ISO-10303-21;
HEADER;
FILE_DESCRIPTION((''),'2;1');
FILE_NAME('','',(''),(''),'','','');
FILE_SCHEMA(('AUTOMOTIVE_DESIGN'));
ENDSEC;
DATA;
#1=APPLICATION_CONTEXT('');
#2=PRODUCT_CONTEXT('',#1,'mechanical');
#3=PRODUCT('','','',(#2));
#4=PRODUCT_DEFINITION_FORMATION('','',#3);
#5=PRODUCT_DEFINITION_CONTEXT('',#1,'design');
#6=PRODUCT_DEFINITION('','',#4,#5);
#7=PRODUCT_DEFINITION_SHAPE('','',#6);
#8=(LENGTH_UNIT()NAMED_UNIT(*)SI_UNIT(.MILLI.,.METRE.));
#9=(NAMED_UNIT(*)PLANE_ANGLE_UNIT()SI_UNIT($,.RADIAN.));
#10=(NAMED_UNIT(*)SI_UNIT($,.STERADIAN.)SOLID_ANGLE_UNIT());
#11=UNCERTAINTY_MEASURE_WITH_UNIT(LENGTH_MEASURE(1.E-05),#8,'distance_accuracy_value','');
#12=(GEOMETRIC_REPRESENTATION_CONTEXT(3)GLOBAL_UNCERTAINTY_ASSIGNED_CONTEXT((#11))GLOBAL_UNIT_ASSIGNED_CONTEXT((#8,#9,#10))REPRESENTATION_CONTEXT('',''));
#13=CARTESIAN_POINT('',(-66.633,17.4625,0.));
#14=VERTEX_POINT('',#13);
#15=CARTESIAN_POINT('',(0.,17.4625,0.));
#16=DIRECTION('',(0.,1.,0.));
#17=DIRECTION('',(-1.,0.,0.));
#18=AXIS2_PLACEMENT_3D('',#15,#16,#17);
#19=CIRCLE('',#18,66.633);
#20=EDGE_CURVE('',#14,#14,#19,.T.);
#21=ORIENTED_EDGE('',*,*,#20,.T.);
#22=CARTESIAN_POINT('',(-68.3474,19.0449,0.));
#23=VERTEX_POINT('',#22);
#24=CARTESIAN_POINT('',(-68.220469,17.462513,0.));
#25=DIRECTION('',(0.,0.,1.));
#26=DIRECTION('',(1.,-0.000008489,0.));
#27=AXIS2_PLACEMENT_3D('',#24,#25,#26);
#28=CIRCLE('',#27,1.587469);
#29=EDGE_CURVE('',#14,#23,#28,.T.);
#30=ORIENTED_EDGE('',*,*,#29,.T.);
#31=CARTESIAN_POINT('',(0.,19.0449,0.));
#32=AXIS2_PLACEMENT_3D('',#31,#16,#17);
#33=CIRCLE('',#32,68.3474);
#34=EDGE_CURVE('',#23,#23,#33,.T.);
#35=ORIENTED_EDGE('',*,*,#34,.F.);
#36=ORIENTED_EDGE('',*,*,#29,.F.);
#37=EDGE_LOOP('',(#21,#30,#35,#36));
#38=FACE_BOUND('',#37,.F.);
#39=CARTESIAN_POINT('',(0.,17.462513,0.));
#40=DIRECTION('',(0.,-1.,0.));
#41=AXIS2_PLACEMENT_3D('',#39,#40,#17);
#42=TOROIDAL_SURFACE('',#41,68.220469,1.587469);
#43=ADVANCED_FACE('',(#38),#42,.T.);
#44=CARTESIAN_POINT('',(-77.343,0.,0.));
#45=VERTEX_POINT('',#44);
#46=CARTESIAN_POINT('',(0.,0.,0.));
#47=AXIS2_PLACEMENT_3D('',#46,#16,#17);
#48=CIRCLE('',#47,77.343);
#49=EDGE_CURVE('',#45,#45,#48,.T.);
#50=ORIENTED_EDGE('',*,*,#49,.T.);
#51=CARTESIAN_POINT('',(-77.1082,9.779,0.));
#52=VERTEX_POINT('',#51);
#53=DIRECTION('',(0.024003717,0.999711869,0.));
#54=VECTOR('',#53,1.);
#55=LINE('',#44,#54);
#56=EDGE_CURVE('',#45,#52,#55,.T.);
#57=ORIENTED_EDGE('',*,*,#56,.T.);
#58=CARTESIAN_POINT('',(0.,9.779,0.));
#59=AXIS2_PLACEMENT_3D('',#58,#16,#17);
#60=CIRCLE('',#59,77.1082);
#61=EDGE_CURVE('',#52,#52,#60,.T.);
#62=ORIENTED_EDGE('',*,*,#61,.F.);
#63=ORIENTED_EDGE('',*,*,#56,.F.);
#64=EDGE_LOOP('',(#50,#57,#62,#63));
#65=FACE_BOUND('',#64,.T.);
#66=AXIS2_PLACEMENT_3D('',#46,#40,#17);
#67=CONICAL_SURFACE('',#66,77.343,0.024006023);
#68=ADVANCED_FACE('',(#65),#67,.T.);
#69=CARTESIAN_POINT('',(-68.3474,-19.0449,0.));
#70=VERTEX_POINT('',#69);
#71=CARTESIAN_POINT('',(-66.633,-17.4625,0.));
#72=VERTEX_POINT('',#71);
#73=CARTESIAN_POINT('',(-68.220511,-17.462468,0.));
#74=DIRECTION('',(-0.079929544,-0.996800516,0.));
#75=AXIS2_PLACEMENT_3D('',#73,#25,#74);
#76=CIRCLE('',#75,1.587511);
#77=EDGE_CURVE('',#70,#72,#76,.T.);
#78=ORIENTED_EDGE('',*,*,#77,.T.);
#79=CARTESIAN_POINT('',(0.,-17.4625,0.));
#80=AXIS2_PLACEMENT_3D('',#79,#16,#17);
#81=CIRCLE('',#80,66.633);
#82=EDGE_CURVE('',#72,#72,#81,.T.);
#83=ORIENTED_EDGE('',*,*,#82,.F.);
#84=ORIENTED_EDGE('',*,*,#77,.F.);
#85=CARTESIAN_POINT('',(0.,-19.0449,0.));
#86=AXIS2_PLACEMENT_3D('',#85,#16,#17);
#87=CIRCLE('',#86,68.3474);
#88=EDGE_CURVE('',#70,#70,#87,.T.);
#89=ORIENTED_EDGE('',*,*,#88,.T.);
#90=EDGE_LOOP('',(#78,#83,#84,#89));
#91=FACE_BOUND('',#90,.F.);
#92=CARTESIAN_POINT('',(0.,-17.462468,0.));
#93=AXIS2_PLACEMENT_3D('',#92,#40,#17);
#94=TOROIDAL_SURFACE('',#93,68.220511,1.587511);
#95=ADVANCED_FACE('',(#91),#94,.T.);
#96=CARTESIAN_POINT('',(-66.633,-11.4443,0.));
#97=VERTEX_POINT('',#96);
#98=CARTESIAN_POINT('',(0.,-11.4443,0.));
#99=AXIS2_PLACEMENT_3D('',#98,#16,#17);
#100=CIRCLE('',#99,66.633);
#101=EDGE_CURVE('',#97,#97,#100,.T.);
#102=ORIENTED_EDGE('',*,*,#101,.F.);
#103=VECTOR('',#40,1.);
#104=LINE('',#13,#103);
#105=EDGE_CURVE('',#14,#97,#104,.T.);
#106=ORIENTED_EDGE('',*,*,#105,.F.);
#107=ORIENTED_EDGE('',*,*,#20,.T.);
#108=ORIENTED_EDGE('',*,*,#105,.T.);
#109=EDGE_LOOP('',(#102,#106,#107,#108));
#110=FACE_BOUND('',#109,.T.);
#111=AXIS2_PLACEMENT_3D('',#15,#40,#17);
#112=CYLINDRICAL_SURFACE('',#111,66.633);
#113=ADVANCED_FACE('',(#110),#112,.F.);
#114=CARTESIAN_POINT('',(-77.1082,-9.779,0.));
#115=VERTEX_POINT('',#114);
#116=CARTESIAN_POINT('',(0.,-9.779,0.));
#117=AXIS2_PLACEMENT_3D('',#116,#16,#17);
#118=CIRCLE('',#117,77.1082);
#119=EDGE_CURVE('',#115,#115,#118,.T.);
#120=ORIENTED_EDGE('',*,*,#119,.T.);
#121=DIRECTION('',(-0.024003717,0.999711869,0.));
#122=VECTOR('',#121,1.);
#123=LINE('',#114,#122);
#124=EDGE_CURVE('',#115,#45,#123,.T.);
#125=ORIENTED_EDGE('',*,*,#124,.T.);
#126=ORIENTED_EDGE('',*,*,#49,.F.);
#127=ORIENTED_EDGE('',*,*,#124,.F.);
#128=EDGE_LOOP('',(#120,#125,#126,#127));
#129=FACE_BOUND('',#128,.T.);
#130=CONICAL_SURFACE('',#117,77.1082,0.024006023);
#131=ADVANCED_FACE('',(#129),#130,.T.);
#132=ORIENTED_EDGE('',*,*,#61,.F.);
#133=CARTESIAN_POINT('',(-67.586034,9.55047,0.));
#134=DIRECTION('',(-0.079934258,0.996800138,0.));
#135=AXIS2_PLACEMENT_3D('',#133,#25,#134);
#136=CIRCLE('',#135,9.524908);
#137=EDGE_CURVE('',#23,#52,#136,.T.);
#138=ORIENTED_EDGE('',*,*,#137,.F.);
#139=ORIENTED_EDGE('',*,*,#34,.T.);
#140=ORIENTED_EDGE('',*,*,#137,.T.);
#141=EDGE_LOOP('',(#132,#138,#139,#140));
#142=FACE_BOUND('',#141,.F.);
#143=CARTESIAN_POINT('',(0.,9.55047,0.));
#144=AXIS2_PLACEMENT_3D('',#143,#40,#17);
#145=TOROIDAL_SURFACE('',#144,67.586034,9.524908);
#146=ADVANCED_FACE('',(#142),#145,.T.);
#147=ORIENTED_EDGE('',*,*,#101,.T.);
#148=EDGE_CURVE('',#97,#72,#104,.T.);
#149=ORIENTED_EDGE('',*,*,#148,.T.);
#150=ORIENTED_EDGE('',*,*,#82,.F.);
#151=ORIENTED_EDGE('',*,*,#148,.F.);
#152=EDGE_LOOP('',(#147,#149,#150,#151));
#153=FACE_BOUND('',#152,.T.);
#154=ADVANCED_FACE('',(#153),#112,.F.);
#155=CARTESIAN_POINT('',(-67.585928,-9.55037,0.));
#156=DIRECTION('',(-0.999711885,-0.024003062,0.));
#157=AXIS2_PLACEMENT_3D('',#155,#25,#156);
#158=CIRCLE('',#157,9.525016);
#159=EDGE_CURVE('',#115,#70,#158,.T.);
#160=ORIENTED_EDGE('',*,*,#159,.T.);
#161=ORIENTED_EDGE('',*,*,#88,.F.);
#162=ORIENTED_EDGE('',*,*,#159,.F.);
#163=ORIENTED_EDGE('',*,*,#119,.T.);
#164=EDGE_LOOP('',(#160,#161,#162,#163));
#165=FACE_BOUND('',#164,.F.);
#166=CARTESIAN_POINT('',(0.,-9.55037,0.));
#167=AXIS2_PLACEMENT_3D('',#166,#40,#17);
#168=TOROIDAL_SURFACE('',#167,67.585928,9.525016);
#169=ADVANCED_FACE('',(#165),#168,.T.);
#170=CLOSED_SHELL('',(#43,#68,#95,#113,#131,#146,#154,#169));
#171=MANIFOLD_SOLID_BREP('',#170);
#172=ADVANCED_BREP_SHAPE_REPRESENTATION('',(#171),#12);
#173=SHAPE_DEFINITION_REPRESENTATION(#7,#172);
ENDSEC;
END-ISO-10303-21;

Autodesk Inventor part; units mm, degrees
ref_plane "YZ Plane" through (0, 0, 0) normal (1, 0, 0) x (0, 1, 0)
ref_plane "XZ Plane" through (0, 0, 0) normal (0, 1, 0) x (-1, 0, 0)
ref_plane "XY Plane" through (0, 0, 0) normal (0, 0, 1) x (1, 0, 0)
sketch "Sketch1" plane through (0, 0, 0) normal (0, 0, 1) x (1, 0, 0)
  line L0 (-66.6603, -11.4443) -> (-66.6119, -11.4443)
  arc A0 (-68.3474, -19.0449) -> (-66.633, -17.4625) centre (-68.2205, -17.4625) ccw
  arc A1 (-77.1082, -9.779) -> (-68.3474, -19.0449) centre (-67.586, -9.5504) ccw
  line L1 (-77.1082, -9.779) -> (-77.343, 0)
  line L2 (-77.343, 0) -> (-77.1082, 9.779)
  arc A2 (-68.3474, 19.0449) -> (-77.1082, 9.779) centre (-67.586, 9.5504) ccw
  arc A3 (-66.633, 17.4625) -> (-68.3474, 19.0449) centre (-68.2205, 17.4625) ccw
  line L3 (-66.633, 17.4625) -> (-66.633, -17.4625)
  line L4 (0, -29.0182) -> (0, 29.0182) projected
  point P0 (0, 0)
  point P1 (-66.633, 0)
  dimension "d0" = 38.1
  dimension "d1" = 1.5875
  dimension "d2" = 9.525
  dimension "d3" = 19.558
  dimension "d10" = 77.343
revolve "Revolution1" add sketch "Sketch1" angle 360 about axis through (0, -10, 0) along (0, 1, 0)
properties part number "First 09 Wheel_6+375 tread Simple"
